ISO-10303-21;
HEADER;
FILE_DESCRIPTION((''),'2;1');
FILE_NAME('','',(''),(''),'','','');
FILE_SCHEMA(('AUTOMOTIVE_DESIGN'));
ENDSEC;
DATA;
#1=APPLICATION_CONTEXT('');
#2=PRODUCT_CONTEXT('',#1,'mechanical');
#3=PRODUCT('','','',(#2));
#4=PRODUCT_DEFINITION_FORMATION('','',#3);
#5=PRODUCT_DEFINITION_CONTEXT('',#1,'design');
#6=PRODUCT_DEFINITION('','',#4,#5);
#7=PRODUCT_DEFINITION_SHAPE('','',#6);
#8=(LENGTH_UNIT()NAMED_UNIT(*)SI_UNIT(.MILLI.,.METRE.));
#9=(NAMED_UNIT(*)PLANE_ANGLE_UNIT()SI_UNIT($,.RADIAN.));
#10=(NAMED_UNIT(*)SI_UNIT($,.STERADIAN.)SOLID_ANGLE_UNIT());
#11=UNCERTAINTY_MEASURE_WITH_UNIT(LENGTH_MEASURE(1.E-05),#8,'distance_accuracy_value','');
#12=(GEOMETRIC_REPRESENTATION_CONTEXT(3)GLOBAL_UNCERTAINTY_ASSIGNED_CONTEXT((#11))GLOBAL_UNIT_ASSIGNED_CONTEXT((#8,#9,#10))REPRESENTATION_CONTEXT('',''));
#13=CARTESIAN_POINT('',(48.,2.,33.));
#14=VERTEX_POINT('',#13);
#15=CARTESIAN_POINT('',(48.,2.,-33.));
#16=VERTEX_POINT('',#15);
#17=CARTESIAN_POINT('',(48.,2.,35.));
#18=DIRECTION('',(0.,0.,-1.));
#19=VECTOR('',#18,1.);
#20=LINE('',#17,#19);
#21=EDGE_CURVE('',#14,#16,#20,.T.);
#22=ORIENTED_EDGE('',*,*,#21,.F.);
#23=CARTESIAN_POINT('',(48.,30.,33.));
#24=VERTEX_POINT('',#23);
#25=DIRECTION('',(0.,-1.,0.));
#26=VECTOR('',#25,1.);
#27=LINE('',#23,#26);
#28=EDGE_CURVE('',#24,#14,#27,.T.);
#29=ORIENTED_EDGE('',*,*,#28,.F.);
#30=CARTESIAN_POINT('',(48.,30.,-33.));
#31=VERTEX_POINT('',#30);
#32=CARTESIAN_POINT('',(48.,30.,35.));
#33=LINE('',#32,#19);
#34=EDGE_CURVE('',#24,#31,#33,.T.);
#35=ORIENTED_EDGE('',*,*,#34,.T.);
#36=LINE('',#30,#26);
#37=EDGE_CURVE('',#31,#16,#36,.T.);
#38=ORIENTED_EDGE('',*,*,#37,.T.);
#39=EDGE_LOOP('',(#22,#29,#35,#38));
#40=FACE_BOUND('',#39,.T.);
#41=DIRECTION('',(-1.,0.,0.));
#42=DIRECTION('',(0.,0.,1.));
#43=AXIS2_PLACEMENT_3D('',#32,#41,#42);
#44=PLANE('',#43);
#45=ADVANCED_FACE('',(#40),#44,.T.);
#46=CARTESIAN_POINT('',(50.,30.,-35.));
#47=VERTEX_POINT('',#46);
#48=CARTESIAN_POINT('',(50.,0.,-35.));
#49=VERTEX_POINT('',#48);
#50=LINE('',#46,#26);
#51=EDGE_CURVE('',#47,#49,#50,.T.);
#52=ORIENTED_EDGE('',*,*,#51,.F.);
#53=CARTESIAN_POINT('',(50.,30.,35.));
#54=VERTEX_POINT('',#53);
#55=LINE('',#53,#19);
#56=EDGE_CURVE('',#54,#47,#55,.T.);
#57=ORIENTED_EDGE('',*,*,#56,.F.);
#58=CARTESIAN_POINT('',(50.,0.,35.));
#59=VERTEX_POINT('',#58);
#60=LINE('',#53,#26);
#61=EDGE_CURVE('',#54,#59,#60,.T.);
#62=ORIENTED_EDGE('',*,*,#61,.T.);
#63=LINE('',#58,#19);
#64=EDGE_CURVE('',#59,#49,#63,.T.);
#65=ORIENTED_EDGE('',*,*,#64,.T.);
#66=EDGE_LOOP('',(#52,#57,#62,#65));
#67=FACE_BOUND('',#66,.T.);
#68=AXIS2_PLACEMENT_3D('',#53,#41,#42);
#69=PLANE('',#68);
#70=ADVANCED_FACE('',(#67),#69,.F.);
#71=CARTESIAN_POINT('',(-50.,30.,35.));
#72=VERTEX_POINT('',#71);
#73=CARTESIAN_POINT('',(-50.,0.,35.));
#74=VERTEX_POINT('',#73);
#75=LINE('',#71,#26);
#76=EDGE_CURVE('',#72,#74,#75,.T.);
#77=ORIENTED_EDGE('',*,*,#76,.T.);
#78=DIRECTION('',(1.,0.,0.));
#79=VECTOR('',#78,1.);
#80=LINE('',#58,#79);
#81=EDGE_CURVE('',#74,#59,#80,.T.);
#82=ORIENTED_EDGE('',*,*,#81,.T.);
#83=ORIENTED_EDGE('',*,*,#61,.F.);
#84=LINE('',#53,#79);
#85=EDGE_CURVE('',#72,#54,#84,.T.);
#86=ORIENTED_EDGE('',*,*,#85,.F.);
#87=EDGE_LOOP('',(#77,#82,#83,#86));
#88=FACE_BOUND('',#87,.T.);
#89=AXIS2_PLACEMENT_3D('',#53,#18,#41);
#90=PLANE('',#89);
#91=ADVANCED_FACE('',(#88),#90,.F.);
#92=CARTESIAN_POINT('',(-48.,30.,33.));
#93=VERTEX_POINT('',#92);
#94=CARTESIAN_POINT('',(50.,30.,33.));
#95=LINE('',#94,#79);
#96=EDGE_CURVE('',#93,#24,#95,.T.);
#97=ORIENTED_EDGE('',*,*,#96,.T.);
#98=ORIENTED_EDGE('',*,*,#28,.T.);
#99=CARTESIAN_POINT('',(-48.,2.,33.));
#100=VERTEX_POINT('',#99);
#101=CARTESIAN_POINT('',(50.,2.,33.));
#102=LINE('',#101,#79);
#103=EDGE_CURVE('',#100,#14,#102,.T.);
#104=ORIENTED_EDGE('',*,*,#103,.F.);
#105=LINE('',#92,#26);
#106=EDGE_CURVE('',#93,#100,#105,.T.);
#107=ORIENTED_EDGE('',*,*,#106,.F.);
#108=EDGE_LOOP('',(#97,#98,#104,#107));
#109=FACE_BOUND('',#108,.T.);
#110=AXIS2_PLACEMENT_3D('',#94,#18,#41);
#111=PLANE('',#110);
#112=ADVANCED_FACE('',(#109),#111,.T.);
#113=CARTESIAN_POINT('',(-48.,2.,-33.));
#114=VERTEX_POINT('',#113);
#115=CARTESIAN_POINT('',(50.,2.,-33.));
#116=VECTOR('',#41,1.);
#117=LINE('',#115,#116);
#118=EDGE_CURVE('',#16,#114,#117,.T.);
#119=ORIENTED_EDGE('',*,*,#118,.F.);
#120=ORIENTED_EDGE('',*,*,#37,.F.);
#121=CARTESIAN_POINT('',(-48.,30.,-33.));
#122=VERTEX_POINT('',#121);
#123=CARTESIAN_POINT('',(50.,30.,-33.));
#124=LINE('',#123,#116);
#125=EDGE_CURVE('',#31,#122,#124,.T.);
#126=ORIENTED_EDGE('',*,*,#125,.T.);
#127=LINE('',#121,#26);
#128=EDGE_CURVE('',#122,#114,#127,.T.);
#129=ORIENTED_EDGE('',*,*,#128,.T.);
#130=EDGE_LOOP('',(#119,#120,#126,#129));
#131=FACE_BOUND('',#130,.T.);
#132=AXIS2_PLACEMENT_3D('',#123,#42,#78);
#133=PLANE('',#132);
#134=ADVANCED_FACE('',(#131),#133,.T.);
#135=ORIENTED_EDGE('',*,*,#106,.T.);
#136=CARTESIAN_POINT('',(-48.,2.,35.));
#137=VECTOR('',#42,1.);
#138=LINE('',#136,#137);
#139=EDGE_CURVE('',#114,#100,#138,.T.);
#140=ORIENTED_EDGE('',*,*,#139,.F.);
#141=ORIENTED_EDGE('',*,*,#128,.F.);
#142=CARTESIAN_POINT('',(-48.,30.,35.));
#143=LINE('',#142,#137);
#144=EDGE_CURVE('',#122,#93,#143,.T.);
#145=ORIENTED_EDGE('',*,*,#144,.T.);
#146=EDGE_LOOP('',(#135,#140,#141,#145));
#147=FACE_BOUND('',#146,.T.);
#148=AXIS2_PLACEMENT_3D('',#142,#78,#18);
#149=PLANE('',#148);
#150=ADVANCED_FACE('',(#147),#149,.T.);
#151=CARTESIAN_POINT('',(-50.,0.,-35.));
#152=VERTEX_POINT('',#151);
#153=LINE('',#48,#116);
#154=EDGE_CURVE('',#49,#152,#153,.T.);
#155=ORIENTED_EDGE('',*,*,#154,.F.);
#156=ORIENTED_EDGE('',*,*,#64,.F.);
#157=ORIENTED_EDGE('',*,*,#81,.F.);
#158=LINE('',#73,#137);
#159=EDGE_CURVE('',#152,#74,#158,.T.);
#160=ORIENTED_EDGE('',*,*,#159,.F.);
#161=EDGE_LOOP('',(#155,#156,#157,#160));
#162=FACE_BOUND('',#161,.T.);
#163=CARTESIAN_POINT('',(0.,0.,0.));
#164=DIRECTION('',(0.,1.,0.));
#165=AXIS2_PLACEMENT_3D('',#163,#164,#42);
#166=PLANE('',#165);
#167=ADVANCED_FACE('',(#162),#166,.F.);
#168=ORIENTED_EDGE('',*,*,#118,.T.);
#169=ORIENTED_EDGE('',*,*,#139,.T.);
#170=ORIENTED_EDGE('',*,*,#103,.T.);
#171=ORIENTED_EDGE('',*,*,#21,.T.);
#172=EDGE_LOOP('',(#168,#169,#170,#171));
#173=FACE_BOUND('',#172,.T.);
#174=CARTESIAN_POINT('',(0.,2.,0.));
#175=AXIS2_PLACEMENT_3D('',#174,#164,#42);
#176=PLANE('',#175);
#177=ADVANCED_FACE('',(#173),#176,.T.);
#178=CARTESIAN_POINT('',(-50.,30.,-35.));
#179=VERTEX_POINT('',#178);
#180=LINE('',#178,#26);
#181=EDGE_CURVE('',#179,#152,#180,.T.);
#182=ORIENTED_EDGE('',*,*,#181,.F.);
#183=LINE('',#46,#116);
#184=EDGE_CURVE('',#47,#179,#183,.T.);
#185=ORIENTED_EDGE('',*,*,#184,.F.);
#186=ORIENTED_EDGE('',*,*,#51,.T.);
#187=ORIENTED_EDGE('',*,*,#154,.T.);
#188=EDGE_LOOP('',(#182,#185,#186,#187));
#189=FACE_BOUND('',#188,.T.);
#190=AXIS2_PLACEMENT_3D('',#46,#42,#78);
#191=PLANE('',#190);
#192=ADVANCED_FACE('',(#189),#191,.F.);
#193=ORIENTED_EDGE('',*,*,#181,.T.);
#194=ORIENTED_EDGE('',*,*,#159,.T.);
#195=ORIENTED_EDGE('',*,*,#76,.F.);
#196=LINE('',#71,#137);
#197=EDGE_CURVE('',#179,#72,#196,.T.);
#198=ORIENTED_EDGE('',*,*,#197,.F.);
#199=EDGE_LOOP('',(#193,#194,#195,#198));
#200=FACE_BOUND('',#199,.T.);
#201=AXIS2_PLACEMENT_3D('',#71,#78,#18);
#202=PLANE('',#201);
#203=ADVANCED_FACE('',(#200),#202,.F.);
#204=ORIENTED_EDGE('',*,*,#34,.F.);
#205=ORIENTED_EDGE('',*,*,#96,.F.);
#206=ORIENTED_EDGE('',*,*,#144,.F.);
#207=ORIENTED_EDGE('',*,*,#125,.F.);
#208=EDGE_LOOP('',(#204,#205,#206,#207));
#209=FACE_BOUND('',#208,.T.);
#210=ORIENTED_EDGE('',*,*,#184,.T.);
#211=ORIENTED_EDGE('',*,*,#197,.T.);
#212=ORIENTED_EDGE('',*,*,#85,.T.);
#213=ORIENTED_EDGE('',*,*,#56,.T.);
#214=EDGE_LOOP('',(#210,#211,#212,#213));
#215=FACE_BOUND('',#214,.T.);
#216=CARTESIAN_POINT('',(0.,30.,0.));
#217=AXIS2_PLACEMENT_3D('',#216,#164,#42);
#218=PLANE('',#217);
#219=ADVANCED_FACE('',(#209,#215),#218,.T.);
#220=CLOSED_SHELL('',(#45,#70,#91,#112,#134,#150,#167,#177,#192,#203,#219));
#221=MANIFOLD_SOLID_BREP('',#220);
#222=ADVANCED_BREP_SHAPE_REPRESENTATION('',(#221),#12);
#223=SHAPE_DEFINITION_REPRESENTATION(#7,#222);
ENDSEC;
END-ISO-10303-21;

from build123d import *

# Parameters (mm, degrees)
CROQUIS1_W              = 100
CROQUIS1_H              = 70
SALIENTE_EXTRUIR1_DEPTH = 30
VACIADO1_T              = -2


with BuildPart() as part:
    # Croquis1 → Saliente-Extruir1 (new body)
    with BuildSketch(Plane(origin=(0, 0, 0), x_dir=(1, 0, 0), z_dir=(0, 1, 0))):
        Rectangle(CROQUIS1_W, CROQUIS1_H)
    extrude(amount=SALIENTE_EXTRUIR1_DEPTH)

    # Vaciado1
    vaciado1_openings = [part.faces().sort_by_distance(p)[0] for p in [
        (0, 30, 0),
    ]]
    offset(amount=VACIADO1_T, openings=vaciado1_openings, kind=Kind.INTERSECTION)


solid = part.part
